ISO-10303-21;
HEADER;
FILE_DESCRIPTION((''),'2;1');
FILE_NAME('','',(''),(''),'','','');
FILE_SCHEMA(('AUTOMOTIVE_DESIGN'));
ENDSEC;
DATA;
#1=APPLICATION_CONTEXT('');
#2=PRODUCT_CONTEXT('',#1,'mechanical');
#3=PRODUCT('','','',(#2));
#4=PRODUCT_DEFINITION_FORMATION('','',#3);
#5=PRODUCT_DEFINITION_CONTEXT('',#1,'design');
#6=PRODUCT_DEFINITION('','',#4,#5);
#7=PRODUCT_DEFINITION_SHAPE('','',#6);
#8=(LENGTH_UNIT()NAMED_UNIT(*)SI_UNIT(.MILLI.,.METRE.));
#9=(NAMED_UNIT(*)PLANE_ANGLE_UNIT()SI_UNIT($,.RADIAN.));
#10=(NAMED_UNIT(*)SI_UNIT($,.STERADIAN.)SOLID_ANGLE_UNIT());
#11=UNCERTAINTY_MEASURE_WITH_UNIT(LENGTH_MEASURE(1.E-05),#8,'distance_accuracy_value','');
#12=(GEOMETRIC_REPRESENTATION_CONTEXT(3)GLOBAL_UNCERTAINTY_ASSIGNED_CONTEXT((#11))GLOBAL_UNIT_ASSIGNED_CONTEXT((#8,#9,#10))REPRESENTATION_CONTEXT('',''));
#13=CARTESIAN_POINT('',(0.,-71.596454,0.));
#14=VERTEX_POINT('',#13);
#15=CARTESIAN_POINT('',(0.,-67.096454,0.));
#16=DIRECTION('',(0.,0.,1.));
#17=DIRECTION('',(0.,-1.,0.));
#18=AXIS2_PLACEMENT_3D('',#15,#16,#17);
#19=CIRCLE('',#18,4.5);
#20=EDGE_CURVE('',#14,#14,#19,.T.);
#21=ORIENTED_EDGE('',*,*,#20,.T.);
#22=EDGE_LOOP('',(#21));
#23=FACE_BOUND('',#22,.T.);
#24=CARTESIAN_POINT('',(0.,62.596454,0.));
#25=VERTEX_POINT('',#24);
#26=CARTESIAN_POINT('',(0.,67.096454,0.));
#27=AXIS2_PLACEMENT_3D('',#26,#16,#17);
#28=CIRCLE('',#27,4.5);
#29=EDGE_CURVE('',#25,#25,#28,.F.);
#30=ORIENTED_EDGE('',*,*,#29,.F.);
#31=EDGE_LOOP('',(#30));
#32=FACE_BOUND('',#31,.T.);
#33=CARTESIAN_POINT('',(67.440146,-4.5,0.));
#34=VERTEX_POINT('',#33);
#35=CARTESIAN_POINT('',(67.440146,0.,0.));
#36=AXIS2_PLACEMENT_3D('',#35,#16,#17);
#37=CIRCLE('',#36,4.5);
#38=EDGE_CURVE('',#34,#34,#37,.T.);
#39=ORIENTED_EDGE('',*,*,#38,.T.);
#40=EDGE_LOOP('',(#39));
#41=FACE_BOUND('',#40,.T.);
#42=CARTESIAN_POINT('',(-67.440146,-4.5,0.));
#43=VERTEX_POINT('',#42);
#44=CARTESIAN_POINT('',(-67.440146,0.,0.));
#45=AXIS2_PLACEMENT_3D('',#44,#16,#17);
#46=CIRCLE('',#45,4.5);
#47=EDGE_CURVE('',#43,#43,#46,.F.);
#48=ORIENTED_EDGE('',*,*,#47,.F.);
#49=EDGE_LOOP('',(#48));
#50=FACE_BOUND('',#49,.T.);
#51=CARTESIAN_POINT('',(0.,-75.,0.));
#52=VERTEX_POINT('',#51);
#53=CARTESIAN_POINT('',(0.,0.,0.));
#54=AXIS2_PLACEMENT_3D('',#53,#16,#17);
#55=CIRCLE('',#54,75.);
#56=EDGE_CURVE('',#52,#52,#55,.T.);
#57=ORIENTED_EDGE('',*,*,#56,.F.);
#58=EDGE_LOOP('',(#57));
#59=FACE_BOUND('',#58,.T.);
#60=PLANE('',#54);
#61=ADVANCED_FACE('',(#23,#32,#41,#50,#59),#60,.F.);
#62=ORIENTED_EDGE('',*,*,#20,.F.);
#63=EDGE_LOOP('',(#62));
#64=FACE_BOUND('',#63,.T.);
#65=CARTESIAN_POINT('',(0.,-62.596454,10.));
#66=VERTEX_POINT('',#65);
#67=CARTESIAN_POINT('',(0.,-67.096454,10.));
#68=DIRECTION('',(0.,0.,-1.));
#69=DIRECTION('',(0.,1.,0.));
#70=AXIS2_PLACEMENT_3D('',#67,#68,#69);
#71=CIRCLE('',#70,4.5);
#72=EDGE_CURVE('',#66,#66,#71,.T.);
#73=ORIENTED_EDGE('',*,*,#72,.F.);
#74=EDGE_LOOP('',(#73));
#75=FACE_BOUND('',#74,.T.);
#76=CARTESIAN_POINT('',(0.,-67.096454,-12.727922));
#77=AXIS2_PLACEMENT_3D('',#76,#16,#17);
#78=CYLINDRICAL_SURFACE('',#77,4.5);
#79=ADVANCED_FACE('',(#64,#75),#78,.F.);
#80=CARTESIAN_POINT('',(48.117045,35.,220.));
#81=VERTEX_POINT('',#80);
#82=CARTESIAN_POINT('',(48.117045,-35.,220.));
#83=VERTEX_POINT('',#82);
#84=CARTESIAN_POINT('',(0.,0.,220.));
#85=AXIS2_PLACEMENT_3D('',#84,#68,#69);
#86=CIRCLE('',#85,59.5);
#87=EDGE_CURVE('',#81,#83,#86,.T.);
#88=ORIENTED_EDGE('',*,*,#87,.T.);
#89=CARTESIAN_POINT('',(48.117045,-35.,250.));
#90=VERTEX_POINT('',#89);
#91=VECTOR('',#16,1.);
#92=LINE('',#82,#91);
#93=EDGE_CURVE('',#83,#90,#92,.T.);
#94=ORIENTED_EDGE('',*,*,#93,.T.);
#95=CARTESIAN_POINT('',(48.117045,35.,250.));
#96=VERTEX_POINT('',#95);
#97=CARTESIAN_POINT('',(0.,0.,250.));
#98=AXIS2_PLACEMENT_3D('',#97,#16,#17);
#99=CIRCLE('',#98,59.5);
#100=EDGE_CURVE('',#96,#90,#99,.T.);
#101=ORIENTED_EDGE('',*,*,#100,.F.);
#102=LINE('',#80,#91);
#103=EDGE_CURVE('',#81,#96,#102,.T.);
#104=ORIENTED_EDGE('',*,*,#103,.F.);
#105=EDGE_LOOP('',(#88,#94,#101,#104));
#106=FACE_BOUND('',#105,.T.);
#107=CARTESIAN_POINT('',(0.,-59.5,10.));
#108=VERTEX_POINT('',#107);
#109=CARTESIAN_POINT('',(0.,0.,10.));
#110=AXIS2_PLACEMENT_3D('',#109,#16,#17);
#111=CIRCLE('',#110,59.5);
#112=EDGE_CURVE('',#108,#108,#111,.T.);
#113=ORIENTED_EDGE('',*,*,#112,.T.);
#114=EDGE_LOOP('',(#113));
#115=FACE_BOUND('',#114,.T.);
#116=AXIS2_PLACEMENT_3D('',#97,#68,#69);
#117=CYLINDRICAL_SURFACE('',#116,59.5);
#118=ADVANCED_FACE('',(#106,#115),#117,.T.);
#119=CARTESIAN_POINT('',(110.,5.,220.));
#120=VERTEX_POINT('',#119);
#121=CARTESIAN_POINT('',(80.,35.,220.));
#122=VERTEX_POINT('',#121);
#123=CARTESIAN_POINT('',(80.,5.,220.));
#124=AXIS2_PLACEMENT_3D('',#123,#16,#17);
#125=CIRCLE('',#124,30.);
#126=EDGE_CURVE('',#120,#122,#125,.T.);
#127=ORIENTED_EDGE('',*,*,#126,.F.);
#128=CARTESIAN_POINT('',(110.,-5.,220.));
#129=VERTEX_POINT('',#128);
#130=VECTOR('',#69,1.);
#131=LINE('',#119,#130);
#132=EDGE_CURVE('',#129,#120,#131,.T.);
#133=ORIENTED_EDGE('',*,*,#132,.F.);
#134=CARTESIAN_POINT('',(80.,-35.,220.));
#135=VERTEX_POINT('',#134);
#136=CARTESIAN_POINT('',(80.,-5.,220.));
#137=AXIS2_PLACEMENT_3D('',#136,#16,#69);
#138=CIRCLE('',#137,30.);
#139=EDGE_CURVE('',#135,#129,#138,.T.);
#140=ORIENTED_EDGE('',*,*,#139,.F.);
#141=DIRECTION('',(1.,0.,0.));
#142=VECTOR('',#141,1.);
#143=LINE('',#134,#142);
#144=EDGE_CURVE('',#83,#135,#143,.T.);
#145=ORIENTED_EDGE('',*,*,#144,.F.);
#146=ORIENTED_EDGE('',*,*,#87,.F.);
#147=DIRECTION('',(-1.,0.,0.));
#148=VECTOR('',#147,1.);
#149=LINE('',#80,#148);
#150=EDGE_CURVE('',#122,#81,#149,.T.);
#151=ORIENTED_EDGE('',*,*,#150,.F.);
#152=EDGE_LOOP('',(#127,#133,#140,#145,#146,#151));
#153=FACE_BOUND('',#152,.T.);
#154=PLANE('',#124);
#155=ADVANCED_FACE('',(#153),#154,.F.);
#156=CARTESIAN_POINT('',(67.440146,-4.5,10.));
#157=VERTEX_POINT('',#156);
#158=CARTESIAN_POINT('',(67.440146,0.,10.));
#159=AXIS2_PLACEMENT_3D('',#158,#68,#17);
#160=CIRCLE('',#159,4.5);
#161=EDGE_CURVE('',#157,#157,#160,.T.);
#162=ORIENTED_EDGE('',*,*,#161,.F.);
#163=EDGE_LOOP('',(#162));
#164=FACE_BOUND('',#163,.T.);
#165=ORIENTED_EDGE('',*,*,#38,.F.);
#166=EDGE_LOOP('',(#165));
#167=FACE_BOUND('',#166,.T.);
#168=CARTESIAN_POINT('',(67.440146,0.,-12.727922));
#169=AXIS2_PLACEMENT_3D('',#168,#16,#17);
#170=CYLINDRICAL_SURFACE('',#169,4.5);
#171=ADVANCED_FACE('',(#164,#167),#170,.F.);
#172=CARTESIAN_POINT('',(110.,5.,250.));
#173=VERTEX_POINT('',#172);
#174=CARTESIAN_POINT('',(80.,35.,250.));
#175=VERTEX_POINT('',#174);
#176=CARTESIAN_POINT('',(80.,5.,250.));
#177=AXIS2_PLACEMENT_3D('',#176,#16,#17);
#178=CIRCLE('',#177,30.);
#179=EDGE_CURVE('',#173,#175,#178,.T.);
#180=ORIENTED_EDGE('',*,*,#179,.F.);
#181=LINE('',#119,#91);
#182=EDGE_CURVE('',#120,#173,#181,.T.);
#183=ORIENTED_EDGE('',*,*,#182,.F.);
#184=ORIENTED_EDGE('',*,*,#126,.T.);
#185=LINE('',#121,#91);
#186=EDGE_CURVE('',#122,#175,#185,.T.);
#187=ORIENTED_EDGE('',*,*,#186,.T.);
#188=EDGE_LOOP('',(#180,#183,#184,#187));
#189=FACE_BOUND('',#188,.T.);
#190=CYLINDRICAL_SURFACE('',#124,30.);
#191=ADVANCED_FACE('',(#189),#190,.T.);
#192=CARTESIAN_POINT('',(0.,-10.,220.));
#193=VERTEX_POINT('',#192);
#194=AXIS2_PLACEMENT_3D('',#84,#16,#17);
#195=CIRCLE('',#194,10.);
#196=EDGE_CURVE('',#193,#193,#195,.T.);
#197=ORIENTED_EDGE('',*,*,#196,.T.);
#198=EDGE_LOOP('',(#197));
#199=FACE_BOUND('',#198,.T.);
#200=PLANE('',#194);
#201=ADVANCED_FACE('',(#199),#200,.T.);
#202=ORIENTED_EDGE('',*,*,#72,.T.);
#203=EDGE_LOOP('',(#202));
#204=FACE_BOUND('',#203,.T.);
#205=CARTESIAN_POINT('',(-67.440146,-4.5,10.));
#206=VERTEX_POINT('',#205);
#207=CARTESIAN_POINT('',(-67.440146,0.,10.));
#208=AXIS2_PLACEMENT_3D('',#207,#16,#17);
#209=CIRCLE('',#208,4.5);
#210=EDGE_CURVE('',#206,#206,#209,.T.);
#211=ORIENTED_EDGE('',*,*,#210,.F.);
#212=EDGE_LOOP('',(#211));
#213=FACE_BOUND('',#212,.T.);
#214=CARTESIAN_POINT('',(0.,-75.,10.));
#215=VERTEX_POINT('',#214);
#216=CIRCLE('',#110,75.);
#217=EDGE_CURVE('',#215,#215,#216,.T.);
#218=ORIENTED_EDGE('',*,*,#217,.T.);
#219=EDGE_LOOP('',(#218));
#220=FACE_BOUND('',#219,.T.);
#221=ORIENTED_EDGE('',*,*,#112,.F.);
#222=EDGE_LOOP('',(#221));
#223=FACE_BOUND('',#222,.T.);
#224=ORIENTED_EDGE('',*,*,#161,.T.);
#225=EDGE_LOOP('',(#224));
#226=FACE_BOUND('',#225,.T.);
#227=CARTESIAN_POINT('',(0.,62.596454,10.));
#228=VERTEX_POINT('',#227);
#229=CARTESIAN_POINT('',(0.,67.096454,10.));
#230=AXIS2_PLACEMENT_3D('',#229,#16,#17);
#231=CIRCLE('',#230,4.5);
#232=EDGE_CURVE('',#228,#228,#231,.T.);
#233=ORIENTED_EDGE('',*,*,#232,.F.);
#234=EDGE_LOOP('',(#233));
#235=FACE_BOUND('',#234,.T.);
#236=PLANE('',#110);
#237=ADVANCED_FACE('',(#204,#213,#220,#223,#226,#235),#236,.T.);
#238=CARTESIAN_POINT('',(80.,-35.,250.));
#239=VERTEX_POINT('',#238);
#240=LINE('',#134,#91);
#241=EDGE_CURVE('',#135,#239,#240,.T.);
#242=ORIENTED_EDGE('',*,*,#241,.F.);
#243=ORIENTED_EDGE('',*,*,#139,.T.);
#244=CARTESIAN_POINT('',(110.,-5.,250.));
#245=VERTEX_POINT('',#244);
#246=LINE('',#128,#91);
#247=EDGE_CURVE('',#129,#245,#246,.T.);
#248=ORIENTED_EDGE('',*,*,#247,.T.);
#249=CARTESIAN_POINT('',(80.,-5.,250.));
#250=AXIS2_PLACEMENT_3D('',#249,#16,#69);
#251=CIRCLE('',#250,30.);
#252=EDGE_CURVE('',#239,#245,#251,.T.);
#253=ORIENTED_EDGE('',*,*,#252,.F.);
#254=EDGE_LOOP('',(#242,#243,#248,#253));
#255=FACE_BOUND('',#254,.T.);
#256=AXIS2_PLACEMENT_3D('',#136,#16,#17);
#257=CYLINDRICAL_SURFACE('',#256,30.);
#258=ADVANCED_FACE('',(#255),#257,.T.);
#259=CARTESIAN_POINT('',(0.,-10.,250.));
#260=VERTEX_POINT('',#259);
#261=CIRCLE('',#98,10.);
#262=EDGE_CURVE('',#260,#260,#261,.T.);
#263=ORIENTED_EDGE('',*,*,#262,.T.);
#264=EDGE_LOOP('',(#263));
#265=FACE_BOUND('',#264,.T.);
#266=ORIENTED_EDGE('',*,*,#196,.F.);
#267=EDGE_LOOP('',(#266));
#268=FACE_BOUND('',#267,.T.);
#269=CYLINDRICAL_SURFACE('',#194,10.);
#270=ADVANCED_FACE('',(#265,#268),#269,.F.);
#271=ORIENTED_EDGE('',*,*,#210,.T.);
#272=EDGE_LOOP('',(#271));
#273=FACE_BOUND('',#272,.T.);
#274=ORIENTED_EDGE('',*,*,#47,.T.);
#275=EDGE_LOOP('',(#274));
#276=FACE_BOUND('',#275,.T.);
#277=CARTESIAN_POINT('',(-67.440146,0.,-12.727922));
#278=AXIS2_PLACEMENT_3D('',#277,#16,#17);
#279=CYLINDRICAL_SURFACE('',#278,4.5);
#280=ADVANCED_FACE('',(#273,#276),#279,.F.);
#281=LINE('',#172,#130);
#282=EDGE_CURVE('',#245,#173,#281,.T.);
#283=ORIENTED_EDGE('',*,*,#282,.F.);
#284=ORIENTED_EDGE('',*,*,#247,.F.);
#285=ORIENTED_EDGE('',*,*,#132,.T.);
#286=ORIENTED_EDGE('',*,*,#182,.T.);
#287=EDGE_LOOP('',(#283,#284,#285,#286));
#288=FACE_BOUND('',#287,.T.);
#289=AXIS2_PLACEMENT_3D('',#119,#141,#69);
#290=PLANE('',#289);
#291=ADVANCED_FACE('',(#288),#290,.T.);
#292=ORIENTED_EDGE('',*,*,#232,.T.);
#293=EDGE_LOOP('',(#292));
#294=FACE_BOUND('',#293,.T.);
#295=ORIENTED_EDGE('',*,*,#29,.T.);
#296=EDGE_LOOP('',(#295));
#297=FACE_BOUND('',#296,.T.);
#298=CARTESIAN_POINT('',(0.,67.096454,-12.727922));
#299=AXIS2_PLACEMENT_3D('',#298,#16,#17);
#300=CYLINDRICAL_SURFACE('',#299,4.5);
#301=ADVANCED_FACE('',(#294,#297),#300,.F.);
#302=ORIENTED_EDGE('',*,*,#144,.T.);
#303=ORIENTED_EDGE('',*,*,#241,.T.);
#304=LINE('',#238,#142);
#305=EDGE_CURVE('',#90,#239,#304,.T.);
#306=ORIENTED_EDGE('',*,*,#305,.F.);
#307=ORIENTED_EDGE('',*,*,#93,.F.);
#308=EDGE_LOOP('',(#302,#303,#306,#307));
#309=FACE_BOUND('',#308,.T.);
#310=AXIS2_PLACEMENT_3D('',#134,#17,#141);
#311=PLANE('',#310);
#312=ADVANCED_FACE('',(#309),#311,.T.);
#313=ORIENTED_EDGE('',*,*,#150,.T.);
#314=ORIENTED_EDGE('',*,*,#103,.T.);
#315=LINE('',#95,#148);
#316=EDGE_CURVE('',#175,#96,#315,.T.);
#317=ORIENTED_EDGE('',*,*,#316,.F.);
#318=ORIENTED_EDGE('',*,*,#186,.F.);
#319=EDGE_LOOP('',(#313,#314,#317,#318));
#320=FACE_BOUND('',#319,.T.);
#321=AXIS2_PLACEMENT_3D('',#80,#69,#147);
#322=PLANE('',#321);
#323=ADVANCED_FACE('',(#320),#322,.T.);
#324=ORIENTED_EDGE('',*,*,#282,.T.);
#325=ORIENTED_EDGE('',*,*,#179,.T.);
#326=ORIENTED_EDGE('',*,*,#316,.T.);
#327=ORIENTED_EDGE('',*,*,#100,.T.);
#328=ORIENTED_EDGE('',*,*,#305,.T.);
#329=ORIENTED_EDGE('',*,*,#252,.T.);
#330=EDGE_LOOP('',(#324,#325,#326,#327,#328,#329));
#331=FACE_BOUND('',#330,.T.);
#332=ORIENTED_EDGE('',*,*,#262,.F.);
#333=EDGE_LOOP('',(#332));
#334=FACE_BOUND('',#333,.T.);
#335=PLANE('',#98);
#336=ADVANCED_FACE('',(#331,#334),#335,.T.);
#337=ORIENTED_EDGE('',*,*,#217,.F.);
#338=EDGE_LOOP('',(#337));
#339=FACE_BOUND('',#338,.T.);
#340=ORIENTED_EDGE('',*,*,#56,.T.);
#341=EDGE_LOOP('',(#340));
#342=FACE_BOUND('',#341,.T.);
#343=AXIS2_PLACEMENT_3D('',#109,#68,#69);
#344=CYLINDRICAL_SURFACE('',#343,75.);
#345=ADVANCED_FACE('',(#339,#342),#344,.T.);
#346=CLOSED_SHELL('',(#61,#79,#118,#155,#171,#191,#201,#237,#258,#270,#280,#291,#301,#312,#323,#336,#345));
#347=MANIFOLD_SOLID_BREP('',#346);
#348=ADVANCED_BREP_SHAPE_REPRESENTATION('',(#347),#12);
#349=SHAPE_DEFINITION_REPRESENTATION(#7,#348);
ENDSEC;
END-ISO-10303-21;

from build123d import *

# Parameters (mm, degrees)
SKETCH1_R             = 75
BOSS_EXTRUDE1_DEPTH   = 10
SKETCH2_R             = 59.5
BOSS_EXTRUDE2_DEPTH   = 240
BOSS_EXTRUDE3_DEPTH   = 30
SKETCH7_R             = 10
CUT_EXTRUDE1_DEPTH    = 30
SKETCH9_R             = 4.5
CUT_EXTRUDE3_DEPTH    = 10
BODY_MOVE_COPY1_ANGLE = 90


with BuildPart() as part:
    # Sketch1 → Boss-Extrude1 (new body)
    with BuildSketch(Plane(origin=(0, 0, 0), x_dir=(1, 0, 0), z_dir=(0, 1, 0))):
        Circle(SKETCH1_R)
    extrude(amount=BOSS_EXTRUDE1_DEPTH)

    # Sketch2 → Boss-Extrude2 (add)
    with BuildSketch(Plane(origin=(0, 10, 0), x_dir=(1, 0, 0), z_dir=(0, 1, 0))):
        Circle(SKETCH2_R)
    extrude(amount=BOSS_EXTRUDE2_DEPTH)

    # Sketch6 → Boss-Extrude3 (add)
    with BuildSketch(Plane(origin=(0, 250, 0), x_dir=(1, 0, 0), z_dir=(0, 1, 0))):
        with BuildLine():
            Line((48.117044797, 35), (80, 35))
            ThreePointArc((80, 35), (101.213203436, 26.213203436), (110, 5))
            Line((110, 5), (110, -5))
            ThreePointArc((110, -5), (101.213203436, -26.213203436), (80, -35))
            Line((80, -35), (48.117044797, -35))
            ThreePointArc((48.117044797, -35), (59.5, 0), (48.117044797, 35))
        make_face()
    extrude(amount=-BOSS_EXTRUDE3_DEPTH)

    # Sketch7 → Cut-Extrude1 (cut)
    with BuildSketch(Plane(origin=(0, 250, 0), x_dir=(1, 0, 0), z_dir=(0, 1, 0))):
        Circle(SKETCH7_R)
    extrude(amount=-CUT_EXTRUDE1_DEPTH, mode=Mode.SUBTRACT)

    # Sketch9 → Cut-Extrude3 (cut)
    with BuildSketch(Plane(origin=(0, 10, 0), x_dir=(1, 0, 0), z_dir=(0, 1, 0))):
        with Locations((0, 67.096454414)):
            Circle(SKETCH9_R)
        with Locations((-67.440146023, 0)):
            Circle(SKETCH9_R)
    cut_extrude3 = extrude(amount=-CUT_EXTRUDE3_DEPTH, mode=Mode.SUBTRACT)

    # Mirror2: Cut-Extrude3 across plane
    add(cut_extrude3.mirror(Plane.XY), mode=Mode.SUBTRACT)

    # Mirror3: Cut-Extrude3 across plane
    add(cut_extrude3.mirror(Plane(origin=(0, 0, 0), x_dir=(0, 0, 1), z_dir=(1, 0, 0))), mode=Mode.SUBTRACT)


with BuildPart() as part_1:
    # Body-Move/Copy1: moved
    add(part.part.rotate(Axis((0, 0, 0), (1, 0, 0)), BODY_MOVE_COPY1_ANGLE))


solid = part_1.part
